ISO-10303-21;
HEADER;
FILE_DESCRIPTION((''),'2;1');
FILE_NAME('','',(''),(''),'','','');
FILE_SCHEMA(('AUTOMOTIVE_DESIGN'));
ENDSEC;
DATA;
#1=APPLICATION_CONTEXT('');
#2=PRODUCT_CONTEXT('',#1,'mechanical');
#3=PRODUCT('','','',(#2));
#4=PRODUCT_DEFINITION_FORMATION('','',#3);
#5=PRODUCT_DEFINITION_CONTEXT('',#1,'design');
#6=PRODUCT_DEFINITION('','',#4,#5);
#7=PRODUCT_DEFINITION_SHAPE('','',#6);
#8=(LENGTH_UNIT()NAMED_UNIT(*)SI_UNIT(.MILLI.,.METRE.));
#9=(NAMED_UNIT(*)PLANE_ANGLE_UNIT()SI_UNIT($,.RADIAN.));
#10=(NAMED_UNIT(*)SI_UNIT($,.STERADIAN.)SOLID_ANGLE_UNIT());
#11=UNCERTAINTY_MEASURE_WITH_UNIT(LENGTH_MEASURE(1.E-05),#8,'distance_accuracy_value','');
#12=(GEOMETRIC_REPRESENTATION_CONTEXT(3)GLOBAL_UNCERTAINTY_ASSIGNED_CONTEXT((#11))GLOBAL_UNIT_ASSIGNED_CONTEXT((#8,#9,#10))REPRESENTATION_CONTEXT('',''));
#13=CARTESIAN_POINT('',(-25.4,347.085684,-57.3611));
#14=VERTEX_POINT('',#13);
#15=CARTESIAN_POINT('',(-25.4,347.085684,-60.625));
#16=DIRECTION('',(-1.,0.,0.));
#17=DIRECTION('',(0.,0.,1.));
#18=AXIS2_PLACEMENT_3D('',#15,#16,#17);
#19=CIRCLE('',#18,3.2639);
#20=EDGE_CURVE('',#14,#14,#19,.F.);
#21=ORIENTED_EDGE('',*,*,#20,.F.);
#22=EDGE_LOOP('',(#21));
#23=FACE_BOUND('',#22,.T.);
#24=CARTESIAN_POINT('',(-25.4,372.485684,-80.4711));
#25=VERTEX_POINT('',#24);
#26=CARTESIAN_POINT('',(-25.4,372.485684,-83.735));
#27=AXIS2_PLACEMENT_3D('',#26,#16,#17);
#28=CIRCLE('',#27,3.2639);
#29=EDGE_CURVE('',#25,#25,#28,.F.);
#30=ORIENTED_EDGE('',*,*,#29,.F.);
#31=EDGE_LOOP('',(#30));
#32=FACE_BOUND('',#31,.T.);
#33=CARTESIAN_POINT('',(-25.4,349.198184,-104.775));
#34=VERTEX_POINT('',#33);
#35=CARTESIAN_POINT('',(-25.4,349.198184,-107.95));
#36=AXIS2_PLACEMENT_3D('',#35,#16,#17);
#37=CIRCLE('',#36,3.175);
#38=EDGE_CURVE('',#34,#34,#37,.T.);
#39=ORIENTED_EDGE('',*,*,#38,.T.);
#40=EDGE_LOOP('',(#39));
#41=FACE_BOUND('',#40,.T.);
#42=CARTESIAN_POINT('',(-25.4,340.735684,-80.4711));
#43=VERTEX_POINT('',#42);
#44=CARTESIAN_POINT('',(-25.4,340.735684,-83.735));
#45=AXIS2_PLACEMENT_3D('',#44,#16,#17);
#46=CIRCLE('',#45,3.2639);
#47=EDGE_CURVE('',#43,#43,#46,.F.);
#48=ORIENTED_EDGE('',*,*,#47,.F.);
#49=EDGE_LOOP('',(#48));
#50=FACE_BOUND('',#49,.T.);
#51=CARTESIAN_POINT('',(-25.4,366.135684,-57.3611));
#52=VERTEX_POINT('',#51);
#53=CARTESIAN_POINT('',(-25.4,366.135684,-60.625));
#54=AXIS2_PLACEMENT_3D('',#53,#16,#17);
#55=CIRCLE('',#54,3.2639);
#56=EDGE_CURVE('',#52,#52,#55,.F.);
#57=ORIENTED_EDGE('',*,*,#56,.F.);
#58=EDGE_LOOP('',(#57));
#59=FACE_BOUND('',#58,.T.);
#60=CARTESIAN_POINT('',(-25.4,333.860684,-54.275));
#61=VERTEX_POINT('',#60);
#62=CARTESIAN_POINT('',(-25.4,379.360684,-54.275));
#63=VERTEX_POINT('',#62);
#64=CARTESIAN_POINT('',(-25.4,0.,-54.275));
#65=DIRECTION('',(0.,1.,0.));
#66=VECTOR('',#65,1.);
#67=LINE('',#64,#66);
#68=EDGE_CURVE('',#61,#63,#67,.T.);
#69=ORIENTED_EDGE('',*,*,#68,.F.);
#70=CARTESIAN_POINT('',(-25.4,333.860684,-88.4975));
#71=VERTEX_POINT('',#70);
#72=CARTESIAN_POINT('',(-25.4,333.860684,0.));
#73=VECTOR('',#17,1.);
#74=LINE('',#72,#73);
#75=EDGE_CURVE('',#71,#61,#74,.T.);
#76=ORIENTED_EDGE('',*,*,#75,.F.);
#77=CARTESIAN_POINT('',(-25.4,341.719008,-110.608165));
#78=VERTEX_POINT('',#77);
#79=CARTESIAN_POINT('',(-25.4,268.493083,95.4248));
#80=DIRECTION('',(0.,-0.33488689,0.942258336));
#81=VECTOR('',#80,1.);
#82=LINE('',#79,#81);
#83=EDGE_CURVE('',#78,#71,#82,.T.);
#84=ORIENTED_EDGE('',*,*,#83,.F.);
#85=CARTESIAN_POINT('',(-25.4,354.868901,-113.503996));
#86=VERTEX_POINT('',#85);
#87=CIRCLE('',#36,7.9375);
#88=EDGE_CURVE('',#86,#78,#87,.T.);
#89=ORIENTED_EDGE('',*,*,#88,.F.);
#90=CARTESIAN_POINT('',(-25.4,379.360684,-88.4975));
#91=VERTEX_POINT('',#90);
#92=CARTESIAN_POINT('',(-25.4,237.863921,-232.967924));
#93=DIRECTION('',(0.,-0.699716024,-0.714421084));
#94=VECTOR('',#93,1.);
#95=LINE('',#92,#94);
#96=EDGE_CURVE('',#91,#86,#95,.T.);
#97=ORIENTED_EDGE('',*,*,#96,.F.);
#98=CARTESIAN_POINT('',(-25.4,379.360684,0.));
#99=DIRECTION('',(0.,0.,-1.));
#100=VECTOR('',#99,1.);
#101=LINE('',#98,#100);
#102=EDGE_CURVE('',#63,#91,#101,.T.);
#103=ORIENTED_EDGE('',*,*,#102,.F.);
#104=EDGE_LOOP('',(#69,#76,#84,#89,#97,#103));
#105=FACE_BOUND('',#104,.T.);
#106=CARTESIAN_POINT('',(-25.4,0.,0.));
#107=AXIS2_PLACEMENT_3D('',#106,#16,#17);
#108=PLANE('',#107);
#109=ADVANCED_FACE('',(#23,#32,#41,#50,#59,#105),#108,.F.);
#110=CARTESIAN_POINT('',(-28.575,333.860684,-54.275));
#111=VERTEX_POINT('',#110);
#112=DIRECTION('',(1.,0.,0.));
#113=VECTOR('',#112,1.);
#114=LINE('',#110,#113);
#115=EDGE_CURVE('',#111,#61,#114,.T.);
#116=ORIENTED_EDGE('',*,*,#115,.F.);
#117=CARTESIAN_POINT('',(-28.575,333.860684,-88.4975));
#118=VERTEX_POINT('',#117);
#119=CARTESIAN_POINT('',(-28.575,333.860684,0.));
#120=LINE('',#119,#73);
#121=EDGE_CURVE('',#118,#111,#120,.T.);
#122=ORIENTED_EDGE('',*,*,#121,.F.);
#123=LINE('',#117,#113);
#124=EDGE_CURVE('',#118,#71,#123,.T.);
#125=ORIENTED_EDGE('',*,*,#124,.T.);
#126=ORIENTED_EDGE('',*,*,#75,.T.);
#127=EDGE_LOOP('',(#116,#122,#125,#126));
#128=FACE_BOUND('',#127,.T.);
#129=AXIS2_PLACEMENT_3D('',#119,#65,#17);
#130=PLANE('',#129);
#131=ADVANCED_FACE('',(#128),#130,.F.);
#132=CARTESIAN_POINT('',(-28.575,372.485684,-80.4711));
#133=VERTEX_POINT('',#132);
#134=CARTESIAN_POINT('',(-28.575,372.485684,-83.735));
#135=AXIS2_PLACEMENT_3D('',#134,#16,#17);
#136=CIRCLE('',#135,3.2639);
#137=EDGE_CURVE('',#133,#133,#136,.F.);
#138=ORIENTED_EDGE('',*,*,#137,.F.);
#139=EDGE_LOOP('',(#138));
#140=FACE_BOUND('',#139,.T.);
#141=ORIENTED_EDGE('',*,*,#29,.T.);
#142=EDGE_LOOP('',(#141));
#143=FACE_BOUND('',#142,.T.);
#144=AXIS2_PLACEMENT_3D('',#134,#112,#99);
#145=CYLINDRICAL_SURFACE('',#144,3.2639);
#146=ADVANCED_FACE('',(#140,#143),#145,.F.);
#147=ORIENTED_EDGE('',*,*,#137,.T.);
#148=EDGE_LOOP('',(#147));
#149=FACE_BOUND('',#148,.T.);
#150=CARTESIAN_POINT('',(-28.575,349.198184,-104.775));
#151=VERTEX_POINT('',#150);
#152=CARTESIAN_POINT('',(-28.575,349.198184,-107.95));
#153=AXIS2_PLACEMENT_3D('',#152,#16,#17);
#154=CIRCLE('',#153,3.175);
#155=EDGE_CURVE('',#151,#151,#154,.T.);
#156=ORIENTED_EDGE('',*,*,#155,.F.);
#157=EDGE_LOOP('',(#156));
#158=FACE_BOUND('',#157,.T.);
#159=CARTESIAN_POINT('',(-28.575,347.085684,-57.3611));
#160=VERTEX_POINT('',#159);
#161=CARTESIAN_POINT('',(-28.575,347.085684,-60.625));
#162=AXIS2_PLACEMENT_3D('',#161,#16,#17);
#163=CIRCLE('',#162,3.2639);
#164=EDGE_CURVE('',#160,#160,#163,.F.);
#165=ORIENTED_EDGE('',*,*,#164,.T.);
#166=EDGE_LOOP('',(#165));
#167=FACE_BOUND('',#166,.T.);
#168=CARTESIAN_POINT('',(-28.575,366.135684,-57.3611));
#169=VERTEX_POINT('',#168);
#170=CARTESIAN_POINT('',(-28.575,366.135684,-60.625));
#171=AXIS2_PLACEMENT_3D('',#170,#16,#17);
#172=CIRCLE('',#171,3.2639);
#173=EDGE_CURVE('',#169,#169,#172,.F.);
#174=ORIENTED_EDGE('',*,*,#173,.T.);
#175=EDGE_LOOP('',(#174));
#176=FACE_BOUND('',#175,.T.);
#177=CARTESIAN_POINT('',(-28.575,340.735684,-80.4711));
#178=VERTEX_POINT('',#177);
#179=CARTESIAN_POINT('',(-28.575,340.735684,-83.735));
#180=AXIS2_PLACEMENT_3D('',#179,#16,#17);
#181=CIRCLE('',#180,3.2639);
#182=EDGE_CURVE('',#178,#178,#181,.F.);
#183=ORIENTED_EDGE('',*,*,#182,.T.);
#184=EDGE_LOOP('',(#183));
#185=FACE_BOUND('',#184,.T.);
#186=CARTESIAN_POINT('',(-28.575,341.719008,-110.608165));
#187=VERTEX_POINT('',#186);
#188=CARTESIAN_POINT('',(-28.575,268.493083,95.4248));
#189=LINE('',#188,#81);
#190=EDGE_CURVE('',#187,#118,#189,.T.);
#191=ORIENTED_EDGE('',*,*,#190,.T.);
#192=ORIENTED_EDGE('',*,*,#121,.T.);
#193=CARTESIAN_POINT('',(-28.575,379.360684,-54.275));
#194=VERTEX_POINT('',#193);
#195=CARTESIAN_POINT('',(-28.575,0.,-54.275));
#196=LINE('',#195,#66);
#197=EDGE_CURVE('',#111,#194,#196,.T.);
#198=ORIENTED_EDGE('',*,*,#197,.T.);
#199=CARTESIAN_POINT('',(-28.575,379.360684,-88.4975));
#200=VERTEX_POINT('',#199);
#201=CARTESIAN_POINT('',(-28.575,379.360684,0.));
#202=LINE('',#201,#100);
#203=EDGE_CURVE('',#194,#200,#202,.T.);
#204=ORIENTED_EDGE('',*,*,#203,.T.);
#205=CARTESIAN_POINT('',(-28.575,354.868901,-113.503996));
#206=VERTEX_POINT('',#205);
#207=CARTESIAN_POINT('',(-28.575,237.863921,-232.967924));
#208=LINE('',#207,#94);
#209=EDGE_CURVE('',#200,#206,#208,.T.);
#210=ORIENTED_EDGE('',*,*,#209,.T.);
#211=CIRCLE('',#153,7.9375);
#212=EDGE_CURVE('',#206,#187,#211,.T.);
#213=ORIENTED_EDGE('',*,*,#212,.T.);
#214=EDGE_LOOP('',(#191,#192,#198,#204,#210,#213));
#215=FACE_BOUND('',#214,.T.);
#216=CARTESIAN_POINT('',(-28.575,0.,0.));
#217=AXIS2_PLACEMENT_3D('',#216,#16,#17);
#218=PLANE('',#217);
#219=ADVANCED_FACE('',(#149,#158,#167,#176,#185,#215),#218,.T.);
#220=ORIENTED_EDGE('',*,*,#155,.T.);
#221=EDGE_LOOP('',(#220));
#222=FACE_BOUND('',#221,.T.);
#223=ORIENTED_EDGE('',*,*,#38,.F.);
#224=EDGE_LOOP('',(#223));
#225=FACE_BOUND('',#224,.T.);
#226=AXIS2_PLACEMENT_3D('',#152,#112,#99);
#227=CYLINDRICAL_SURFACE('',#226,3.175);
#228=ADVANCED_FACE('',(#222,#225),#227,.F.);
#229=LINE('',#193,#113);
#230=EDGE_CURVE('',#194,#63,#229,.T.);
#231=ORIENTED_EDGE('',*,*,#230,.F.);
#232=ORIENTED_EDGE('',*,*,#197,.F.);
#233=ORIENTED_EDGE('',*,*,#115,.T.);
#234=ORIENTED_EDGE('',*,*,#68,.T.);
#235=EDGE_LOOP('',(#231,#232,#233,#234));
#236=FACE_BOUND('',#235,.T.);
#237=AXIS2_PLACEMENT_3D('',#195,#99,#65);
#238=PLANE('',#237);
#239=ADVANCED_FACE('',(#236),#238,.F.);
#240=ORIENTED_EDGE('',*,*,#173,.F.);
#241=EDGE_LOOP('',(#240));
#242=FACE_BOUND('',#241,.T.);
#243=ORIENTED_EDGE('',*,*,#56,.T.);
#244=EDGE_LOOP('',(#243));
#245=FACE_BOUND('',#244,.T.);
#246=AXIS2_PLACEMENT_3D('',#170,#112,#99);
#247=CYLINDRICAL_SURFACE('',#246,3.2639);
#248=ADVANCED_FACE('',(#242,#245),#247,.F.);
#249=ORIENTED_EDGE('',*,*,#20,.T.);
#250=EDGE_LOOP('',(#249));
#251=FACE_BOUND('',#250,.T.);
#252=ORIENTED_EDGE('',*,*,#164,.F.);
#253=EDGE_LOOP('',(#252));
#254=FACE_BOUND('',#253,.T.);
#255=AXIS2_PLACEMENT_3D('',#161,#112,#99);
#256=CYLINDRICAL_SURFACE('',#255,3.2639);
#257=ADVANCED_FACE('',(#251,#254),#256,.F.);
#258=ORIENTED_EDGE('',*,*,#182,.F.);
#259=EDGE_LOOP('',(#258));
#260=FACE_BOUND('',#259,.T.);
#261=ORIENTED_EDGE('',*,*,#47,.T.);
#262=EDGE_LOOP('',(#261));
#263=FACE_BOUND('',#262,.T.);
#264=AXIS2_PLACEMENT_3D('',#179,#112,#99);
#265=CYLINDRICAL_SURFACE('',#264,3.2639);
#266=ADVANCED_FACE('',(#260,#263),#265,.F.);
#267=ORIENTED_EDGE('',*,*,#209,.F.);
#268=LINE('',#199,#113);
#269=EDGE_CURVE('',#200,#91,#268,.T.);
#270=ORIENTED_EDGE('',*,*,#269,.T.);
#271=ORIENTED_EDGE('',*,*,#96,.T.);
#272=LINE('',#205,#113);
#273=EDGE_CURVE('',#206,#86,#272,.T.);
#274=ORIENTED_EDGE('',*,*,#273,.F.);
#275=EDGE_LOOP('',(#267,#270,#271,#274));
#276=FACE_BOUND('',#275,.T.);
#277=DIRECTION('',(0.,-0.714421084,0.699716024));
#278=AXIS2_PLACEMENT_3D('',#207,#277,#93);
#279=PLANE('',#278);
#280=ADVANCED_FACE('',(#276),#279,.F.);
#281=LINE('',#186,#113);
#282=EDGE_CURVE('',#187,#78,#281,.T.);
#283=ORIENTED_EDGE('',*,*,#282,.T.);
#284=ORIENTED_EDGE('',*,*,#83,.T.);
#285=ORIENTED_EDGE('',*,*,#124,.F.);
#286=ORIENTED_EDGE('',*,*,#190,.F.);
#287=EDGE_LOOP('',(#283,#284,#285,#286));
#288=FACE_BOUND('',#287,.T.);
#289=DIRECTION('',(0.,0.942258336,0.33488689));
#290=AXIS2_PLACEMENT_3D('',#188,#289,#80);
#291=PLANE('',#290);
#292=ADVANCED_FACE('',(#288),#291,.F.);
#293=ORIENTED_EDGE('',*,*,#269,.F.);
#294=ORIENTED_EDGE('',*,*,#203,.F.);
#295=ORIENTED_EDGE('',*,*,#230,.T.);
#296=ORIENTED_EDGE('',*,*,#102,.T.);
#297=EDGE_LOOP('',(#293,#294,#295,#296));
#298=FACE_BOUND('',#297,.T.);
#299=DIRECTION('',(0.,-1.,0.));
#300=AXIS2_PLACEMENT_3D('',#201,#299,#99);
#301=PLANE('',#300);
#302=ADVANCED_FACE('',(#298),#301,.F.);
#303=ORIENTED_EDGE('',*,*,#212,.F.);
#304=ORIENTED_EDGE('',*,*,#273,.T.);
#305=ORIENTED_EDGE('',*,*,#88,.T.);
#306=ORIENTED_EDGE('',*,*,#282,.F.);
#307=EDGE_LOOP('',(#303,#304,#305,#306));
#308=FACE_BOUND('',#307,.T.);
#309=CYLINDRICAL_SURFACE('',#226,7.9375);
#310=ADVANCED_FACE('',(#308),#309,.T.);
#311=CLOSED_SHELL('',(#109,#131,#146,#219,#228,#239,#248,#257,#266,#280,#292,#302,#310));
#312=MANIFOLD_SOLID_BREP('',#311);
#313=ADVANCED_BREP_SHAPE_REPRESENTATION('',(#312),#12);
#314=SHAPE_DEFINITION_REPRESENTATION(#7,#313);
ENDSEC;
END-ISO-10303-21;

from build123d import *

# Parameters (mm, degrees)
SKETCH1_R           = 3.175
SKETCH1_R_2         = 3.2639
SKETCH1_R_3         = 3.96875
BOSS_EXTRUDE1_DEPTH = 3.175


with BuildPart() as part:
    # Sketch1 → Boss-Extrude1 (new body)
    # profile 1 of 3: a face of its own
    with BuildSketch(Plane.ZY.offset(25.4)):
        with BuildLine():
            Line((-88.4975, 379.360683619), (-113.503995941, 354.868900976))
            ThreePointArc((-113.503995941, 354.868900976), (-115.701762144, 347.491113055), (-110.608164688, 341.71900808))
            Line((-110.608164688, 341.71900808), (-88.4975, 333.860683619))
            Line((-88.4975, 333.860683619), (-102.195874596, 351.845168269))
            ThreePointArc((-102.195874596, 351.845168269), (-103.980307482, 357.263971701), (-102.037425504, 362.628003857))
            Line((-102.037425504, 362.628003857), (-88.4975, 379.360683619))
        make_face()
        with Locations((-107.95, 349.198183619)):
            Circle(SKETCH1_R, mode=Mode.SUBTRACT)
    # profile 2 of 3: a face of its own
    with BuildSketch(Plane.ZY.offset(25.4)):
        with BuildLine():
            Line((-54.275, 333.860683619), (-54.275, 379.360683619))
            Line((-54.275, 379.360683619), (-88.4975, 379.360683619))
            Line((-88.4975, 379.360683619), (-102.037425504, 362.628003857))
            ThreePointArc((-102.037425504, 362.628003857), (-103.980307482, 357.263971701), (-102.195874596, 351.845168269))
            Line((-102.195874596, 351.845168269), (-88.4975, 333.860683619))
            Line((-88.4975, 333.860683619), (-54.275, 333.860683619))
        make_face()
        with Locations((-83.735, 340.735683619)):
            Circle(SKETCH1_R_2, mode=Mode.SUBTRACT)
        with Locations((-95.25, 357.135683619)):
            Circle(SKETCH1_R_3, mode=Mode.SUBTRACT)
        with Locations((-60.625, 366.135683619)):
            Circle(SKETCH1_R_2, mode=Mode.SUBTRACT)
        with Locations((-83.735, 372.485683619)):
            Circle(SKETCH1_R_2, mode=Mode.SUBTRACT)
        with Locations((-60.625, 347.085683619)):
            Circle(SKETCH1_R_2, mode=Mode.SUBTRACT)
    # profile 3 of 3: a face of its own
    with BuildSketch(Plane.ZY.offset(25.4)):
        with Locations((-95.25, 357.135683619)):
            Circle(SKETCH1_R_3)
    extrude(amount=BOSS_EXTRUDE1_DEPTH)


solid = part.part
